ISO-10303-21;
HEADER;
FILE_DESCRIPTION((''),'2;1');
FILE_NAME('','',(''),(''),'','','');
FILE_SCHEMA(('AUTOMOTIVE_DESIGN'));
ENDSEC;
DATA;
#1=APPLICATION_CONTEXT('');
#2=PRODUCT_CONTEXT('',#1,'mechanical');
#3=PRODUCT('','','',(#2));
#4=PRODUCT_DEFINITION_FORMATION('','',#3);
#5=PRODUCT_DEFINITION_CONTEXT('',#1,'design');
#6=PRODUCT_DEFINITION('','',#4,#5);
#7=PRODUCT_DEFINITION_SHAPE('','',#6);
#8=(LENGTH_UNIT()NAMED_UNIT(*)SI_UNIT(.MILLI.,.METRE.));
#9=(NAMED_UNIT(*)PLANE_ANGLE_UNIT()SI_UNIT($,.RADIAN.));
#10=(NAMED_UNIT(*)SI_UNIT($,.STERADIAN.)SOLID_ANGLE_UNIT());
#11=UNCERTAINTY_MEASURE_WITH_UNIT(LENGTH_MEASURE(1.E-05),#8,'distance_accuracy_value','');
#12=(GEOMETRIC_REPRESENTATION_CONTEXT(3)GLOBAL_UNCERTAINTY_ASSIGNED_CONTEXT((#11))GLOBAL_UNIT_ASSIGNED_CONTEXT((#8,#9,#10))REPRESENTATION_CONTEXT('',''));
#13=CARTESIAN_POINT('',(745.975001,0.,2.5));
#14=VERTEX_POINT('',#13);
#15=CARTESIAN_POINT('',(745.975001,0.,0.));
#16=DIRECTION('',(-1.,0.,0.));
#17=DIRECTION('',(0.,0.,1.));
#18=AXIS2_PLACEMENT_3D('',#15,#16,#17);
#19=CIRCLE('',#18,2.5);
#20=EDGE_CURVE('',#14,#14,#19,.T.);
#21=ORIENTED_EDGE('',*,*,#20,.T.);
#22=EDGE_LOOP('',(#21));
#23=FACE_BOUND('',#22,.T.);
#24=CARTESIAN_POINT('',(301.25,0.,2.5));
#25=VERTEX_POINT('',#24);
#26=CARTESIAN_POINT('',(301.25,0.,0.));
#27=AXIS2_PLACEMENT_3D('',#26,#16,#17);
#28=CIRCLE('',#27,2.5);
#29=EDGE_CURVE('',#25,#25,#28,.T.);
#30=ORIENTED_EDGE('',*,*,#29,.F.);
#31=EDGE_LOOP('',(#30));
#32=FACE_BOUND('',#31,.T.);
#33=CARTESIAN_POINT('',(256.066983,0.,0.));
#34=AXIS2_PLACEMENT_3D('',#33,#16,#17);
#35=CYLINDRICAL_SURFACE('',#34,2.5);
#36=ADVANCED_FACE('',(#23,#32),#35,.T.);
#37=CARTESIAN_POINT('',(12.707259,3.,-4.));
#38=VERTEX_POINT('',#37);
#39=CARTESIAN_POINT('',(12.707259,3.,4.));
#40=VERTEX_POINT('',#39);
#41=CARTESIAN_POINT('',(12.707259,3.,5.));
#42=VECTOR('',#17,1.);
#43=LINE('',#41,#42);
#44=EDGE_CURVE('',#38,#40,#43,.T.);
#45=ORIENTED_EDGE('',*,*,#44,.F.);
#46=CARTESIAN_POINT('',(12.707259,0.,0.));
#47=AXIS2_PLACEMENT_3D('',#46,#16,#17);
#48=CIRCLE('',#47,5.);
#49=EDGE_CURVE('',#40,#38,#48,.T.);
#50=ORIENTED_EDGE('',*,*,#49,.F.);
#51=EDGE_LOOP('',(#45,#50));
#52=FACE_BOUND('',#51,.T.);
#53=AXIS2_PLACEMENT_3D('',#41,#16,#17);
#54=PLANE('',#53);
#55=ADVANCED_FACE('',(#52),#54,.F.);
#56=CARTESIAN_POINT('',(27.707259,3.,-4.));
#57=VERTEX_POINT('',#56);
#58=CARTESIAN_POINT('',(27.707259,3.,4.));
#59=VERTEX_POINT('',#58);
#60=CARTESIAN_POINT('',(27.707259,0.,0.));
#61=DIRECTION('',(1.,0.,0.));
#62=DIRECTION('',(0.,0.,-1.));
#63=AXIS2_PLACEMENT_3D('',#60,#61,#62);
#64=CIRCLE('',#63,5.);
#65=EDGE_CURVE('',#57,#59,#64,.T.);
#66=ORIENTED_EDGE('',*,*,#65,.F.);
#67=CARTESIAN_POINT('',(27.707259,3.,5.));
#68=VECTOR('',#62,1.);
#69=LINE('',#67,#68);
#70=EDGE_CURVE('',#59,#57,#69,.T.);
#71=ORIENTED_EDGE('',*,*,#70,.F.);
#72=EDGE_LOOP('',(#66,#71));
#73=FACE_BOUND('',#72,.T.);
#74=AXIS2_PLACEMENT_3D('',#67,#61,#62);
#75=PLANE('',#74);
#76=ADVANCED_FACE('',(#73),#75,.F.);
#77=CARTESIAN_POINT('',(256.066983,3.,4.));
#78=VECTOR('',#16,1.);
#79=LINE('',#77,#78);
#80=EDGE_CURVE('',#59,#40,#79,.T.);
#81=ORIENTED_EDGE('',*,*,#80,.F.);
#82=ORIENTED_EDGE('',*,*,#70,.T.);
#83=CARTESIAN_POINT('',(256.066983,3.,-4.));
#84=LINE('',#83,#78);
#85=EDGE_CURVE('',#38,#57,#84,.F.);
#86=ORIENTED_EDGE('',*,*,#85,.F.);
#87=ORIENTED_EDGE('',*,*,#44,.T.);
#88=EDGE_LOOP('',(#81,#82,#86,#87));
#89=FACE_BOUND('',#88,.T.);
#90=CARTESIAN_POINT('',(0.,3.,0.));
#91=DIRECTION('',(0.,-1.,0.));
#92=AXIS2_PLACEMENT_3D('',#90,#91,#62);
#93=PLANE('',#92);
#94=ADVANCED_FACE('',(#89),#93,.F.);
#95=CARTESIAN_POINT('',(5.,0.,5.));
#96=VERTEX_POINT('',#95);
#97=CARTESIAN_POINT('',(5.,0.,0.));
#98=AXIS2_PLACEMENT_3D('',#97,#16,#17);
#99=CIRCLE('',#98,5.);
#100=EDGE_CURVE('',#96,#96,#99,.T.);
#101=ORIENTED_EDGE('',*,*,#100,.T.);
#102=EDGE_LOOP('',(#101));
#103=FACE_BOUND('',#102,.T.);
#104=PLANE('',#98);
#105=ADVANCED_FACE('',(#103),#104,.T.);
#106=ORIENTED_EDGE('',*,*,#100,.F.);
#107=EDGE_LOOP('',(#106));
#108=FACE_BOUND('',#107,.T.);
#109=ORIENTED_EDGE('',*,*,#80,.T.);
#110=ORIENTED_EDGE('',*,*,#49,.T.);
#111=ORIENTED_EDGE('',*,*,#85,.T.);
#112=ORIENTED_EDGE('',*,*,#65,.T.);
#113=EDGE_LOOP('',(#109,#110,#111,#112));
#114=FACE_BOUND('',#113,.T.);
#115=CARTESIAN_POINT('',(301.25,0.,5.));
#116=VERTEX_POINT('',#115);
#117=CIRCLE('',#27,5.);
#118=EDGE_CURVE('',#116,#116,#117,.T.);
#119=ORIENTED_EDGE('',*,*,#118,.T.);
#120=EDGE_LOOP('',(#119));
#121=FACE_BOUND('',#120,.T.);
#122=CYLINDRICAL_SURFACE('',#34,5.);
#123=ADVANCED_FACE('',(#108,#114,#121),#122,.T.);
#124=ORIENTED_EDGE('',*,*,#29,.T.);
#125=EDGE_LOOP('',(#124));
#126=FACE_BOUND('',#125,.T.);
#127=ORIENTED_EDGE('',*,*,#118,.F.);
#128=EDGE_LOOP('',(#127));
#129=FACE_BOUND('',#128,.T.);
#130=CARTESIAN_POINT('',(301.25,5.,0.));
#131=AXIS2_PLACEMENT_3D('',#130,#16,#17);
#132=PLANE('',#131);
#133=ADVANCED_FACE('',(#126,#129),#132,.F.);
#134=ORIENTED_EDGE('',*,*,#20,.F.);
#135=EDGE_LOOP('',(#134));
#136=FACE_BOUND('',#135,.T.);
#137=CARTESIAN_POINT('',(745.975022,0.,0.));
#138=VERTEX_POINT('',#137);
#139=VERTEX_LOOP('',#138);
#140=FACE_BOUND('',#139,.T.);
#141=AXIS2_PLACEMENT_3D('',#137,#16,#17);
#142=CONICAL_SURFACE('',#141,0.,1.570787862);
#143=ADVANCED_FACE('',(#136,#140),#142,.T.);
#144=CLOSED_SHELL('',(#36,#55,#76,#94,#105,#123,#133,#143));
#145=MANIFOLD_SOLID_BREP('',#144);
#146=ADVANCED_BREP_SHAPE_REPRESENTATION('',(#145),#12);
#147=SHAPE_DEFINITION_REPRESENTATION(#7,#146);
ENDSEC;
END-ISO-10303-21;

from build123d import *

# Parameters (mm, degrees)
SKICA2_R                 = 5
ODEBRAT_VYSUNUT_M1_DEPTH = 5
SKICA3_W                 = 15
SKICA3_H                 = 10
ODEBRAT_VYSUNUT_M2_DEPTH = 16


with BuildPart() as part:
    # Skica1 → Rotovat3 (revolve)
    with BuildSketch(Plane.XY, mode=Mode.PRIVATE) as rotovat3_sk:
        Polygon((301.25, 5), (0, 5), (0, 0), (745.975022487, 0), (745.975001326, 2.5), (301.25, 2.5), align=None)
    revolve(rotovat3_sk.sketch.rotate(Axis((256.066983307, 0, 0), (1, 0, 0)), 90), axis=Axis((256.066983307, 0, 0), (1, 0, 0)))

    # Skica2 → Odebrat vysunutím1 (cut)
    with BuildSketch(Plane.ZY):
        Circle(SKICA2_R)
    extrude(amount=-ODEBRAT_VYSUNUT_M1_DEPTH, mode=Mode.SUBTRACT)

    # Skica3 → Odebrat vysunutím2 (cut)
    with BuildSketch(Plane(origin=(0, 19, 0), x_dir=(1, 0, 0), z_dir=(0, 1, 0))):
        with Locations((20.207259422, 0)):
            Rectangle(SKICA3_W, SKICA3_H)
    extrude(amount=-ODEBRAT_VYSUNUT_M2_DEPTH, mode=Mode.SUBTRACT)


solid = part.part
